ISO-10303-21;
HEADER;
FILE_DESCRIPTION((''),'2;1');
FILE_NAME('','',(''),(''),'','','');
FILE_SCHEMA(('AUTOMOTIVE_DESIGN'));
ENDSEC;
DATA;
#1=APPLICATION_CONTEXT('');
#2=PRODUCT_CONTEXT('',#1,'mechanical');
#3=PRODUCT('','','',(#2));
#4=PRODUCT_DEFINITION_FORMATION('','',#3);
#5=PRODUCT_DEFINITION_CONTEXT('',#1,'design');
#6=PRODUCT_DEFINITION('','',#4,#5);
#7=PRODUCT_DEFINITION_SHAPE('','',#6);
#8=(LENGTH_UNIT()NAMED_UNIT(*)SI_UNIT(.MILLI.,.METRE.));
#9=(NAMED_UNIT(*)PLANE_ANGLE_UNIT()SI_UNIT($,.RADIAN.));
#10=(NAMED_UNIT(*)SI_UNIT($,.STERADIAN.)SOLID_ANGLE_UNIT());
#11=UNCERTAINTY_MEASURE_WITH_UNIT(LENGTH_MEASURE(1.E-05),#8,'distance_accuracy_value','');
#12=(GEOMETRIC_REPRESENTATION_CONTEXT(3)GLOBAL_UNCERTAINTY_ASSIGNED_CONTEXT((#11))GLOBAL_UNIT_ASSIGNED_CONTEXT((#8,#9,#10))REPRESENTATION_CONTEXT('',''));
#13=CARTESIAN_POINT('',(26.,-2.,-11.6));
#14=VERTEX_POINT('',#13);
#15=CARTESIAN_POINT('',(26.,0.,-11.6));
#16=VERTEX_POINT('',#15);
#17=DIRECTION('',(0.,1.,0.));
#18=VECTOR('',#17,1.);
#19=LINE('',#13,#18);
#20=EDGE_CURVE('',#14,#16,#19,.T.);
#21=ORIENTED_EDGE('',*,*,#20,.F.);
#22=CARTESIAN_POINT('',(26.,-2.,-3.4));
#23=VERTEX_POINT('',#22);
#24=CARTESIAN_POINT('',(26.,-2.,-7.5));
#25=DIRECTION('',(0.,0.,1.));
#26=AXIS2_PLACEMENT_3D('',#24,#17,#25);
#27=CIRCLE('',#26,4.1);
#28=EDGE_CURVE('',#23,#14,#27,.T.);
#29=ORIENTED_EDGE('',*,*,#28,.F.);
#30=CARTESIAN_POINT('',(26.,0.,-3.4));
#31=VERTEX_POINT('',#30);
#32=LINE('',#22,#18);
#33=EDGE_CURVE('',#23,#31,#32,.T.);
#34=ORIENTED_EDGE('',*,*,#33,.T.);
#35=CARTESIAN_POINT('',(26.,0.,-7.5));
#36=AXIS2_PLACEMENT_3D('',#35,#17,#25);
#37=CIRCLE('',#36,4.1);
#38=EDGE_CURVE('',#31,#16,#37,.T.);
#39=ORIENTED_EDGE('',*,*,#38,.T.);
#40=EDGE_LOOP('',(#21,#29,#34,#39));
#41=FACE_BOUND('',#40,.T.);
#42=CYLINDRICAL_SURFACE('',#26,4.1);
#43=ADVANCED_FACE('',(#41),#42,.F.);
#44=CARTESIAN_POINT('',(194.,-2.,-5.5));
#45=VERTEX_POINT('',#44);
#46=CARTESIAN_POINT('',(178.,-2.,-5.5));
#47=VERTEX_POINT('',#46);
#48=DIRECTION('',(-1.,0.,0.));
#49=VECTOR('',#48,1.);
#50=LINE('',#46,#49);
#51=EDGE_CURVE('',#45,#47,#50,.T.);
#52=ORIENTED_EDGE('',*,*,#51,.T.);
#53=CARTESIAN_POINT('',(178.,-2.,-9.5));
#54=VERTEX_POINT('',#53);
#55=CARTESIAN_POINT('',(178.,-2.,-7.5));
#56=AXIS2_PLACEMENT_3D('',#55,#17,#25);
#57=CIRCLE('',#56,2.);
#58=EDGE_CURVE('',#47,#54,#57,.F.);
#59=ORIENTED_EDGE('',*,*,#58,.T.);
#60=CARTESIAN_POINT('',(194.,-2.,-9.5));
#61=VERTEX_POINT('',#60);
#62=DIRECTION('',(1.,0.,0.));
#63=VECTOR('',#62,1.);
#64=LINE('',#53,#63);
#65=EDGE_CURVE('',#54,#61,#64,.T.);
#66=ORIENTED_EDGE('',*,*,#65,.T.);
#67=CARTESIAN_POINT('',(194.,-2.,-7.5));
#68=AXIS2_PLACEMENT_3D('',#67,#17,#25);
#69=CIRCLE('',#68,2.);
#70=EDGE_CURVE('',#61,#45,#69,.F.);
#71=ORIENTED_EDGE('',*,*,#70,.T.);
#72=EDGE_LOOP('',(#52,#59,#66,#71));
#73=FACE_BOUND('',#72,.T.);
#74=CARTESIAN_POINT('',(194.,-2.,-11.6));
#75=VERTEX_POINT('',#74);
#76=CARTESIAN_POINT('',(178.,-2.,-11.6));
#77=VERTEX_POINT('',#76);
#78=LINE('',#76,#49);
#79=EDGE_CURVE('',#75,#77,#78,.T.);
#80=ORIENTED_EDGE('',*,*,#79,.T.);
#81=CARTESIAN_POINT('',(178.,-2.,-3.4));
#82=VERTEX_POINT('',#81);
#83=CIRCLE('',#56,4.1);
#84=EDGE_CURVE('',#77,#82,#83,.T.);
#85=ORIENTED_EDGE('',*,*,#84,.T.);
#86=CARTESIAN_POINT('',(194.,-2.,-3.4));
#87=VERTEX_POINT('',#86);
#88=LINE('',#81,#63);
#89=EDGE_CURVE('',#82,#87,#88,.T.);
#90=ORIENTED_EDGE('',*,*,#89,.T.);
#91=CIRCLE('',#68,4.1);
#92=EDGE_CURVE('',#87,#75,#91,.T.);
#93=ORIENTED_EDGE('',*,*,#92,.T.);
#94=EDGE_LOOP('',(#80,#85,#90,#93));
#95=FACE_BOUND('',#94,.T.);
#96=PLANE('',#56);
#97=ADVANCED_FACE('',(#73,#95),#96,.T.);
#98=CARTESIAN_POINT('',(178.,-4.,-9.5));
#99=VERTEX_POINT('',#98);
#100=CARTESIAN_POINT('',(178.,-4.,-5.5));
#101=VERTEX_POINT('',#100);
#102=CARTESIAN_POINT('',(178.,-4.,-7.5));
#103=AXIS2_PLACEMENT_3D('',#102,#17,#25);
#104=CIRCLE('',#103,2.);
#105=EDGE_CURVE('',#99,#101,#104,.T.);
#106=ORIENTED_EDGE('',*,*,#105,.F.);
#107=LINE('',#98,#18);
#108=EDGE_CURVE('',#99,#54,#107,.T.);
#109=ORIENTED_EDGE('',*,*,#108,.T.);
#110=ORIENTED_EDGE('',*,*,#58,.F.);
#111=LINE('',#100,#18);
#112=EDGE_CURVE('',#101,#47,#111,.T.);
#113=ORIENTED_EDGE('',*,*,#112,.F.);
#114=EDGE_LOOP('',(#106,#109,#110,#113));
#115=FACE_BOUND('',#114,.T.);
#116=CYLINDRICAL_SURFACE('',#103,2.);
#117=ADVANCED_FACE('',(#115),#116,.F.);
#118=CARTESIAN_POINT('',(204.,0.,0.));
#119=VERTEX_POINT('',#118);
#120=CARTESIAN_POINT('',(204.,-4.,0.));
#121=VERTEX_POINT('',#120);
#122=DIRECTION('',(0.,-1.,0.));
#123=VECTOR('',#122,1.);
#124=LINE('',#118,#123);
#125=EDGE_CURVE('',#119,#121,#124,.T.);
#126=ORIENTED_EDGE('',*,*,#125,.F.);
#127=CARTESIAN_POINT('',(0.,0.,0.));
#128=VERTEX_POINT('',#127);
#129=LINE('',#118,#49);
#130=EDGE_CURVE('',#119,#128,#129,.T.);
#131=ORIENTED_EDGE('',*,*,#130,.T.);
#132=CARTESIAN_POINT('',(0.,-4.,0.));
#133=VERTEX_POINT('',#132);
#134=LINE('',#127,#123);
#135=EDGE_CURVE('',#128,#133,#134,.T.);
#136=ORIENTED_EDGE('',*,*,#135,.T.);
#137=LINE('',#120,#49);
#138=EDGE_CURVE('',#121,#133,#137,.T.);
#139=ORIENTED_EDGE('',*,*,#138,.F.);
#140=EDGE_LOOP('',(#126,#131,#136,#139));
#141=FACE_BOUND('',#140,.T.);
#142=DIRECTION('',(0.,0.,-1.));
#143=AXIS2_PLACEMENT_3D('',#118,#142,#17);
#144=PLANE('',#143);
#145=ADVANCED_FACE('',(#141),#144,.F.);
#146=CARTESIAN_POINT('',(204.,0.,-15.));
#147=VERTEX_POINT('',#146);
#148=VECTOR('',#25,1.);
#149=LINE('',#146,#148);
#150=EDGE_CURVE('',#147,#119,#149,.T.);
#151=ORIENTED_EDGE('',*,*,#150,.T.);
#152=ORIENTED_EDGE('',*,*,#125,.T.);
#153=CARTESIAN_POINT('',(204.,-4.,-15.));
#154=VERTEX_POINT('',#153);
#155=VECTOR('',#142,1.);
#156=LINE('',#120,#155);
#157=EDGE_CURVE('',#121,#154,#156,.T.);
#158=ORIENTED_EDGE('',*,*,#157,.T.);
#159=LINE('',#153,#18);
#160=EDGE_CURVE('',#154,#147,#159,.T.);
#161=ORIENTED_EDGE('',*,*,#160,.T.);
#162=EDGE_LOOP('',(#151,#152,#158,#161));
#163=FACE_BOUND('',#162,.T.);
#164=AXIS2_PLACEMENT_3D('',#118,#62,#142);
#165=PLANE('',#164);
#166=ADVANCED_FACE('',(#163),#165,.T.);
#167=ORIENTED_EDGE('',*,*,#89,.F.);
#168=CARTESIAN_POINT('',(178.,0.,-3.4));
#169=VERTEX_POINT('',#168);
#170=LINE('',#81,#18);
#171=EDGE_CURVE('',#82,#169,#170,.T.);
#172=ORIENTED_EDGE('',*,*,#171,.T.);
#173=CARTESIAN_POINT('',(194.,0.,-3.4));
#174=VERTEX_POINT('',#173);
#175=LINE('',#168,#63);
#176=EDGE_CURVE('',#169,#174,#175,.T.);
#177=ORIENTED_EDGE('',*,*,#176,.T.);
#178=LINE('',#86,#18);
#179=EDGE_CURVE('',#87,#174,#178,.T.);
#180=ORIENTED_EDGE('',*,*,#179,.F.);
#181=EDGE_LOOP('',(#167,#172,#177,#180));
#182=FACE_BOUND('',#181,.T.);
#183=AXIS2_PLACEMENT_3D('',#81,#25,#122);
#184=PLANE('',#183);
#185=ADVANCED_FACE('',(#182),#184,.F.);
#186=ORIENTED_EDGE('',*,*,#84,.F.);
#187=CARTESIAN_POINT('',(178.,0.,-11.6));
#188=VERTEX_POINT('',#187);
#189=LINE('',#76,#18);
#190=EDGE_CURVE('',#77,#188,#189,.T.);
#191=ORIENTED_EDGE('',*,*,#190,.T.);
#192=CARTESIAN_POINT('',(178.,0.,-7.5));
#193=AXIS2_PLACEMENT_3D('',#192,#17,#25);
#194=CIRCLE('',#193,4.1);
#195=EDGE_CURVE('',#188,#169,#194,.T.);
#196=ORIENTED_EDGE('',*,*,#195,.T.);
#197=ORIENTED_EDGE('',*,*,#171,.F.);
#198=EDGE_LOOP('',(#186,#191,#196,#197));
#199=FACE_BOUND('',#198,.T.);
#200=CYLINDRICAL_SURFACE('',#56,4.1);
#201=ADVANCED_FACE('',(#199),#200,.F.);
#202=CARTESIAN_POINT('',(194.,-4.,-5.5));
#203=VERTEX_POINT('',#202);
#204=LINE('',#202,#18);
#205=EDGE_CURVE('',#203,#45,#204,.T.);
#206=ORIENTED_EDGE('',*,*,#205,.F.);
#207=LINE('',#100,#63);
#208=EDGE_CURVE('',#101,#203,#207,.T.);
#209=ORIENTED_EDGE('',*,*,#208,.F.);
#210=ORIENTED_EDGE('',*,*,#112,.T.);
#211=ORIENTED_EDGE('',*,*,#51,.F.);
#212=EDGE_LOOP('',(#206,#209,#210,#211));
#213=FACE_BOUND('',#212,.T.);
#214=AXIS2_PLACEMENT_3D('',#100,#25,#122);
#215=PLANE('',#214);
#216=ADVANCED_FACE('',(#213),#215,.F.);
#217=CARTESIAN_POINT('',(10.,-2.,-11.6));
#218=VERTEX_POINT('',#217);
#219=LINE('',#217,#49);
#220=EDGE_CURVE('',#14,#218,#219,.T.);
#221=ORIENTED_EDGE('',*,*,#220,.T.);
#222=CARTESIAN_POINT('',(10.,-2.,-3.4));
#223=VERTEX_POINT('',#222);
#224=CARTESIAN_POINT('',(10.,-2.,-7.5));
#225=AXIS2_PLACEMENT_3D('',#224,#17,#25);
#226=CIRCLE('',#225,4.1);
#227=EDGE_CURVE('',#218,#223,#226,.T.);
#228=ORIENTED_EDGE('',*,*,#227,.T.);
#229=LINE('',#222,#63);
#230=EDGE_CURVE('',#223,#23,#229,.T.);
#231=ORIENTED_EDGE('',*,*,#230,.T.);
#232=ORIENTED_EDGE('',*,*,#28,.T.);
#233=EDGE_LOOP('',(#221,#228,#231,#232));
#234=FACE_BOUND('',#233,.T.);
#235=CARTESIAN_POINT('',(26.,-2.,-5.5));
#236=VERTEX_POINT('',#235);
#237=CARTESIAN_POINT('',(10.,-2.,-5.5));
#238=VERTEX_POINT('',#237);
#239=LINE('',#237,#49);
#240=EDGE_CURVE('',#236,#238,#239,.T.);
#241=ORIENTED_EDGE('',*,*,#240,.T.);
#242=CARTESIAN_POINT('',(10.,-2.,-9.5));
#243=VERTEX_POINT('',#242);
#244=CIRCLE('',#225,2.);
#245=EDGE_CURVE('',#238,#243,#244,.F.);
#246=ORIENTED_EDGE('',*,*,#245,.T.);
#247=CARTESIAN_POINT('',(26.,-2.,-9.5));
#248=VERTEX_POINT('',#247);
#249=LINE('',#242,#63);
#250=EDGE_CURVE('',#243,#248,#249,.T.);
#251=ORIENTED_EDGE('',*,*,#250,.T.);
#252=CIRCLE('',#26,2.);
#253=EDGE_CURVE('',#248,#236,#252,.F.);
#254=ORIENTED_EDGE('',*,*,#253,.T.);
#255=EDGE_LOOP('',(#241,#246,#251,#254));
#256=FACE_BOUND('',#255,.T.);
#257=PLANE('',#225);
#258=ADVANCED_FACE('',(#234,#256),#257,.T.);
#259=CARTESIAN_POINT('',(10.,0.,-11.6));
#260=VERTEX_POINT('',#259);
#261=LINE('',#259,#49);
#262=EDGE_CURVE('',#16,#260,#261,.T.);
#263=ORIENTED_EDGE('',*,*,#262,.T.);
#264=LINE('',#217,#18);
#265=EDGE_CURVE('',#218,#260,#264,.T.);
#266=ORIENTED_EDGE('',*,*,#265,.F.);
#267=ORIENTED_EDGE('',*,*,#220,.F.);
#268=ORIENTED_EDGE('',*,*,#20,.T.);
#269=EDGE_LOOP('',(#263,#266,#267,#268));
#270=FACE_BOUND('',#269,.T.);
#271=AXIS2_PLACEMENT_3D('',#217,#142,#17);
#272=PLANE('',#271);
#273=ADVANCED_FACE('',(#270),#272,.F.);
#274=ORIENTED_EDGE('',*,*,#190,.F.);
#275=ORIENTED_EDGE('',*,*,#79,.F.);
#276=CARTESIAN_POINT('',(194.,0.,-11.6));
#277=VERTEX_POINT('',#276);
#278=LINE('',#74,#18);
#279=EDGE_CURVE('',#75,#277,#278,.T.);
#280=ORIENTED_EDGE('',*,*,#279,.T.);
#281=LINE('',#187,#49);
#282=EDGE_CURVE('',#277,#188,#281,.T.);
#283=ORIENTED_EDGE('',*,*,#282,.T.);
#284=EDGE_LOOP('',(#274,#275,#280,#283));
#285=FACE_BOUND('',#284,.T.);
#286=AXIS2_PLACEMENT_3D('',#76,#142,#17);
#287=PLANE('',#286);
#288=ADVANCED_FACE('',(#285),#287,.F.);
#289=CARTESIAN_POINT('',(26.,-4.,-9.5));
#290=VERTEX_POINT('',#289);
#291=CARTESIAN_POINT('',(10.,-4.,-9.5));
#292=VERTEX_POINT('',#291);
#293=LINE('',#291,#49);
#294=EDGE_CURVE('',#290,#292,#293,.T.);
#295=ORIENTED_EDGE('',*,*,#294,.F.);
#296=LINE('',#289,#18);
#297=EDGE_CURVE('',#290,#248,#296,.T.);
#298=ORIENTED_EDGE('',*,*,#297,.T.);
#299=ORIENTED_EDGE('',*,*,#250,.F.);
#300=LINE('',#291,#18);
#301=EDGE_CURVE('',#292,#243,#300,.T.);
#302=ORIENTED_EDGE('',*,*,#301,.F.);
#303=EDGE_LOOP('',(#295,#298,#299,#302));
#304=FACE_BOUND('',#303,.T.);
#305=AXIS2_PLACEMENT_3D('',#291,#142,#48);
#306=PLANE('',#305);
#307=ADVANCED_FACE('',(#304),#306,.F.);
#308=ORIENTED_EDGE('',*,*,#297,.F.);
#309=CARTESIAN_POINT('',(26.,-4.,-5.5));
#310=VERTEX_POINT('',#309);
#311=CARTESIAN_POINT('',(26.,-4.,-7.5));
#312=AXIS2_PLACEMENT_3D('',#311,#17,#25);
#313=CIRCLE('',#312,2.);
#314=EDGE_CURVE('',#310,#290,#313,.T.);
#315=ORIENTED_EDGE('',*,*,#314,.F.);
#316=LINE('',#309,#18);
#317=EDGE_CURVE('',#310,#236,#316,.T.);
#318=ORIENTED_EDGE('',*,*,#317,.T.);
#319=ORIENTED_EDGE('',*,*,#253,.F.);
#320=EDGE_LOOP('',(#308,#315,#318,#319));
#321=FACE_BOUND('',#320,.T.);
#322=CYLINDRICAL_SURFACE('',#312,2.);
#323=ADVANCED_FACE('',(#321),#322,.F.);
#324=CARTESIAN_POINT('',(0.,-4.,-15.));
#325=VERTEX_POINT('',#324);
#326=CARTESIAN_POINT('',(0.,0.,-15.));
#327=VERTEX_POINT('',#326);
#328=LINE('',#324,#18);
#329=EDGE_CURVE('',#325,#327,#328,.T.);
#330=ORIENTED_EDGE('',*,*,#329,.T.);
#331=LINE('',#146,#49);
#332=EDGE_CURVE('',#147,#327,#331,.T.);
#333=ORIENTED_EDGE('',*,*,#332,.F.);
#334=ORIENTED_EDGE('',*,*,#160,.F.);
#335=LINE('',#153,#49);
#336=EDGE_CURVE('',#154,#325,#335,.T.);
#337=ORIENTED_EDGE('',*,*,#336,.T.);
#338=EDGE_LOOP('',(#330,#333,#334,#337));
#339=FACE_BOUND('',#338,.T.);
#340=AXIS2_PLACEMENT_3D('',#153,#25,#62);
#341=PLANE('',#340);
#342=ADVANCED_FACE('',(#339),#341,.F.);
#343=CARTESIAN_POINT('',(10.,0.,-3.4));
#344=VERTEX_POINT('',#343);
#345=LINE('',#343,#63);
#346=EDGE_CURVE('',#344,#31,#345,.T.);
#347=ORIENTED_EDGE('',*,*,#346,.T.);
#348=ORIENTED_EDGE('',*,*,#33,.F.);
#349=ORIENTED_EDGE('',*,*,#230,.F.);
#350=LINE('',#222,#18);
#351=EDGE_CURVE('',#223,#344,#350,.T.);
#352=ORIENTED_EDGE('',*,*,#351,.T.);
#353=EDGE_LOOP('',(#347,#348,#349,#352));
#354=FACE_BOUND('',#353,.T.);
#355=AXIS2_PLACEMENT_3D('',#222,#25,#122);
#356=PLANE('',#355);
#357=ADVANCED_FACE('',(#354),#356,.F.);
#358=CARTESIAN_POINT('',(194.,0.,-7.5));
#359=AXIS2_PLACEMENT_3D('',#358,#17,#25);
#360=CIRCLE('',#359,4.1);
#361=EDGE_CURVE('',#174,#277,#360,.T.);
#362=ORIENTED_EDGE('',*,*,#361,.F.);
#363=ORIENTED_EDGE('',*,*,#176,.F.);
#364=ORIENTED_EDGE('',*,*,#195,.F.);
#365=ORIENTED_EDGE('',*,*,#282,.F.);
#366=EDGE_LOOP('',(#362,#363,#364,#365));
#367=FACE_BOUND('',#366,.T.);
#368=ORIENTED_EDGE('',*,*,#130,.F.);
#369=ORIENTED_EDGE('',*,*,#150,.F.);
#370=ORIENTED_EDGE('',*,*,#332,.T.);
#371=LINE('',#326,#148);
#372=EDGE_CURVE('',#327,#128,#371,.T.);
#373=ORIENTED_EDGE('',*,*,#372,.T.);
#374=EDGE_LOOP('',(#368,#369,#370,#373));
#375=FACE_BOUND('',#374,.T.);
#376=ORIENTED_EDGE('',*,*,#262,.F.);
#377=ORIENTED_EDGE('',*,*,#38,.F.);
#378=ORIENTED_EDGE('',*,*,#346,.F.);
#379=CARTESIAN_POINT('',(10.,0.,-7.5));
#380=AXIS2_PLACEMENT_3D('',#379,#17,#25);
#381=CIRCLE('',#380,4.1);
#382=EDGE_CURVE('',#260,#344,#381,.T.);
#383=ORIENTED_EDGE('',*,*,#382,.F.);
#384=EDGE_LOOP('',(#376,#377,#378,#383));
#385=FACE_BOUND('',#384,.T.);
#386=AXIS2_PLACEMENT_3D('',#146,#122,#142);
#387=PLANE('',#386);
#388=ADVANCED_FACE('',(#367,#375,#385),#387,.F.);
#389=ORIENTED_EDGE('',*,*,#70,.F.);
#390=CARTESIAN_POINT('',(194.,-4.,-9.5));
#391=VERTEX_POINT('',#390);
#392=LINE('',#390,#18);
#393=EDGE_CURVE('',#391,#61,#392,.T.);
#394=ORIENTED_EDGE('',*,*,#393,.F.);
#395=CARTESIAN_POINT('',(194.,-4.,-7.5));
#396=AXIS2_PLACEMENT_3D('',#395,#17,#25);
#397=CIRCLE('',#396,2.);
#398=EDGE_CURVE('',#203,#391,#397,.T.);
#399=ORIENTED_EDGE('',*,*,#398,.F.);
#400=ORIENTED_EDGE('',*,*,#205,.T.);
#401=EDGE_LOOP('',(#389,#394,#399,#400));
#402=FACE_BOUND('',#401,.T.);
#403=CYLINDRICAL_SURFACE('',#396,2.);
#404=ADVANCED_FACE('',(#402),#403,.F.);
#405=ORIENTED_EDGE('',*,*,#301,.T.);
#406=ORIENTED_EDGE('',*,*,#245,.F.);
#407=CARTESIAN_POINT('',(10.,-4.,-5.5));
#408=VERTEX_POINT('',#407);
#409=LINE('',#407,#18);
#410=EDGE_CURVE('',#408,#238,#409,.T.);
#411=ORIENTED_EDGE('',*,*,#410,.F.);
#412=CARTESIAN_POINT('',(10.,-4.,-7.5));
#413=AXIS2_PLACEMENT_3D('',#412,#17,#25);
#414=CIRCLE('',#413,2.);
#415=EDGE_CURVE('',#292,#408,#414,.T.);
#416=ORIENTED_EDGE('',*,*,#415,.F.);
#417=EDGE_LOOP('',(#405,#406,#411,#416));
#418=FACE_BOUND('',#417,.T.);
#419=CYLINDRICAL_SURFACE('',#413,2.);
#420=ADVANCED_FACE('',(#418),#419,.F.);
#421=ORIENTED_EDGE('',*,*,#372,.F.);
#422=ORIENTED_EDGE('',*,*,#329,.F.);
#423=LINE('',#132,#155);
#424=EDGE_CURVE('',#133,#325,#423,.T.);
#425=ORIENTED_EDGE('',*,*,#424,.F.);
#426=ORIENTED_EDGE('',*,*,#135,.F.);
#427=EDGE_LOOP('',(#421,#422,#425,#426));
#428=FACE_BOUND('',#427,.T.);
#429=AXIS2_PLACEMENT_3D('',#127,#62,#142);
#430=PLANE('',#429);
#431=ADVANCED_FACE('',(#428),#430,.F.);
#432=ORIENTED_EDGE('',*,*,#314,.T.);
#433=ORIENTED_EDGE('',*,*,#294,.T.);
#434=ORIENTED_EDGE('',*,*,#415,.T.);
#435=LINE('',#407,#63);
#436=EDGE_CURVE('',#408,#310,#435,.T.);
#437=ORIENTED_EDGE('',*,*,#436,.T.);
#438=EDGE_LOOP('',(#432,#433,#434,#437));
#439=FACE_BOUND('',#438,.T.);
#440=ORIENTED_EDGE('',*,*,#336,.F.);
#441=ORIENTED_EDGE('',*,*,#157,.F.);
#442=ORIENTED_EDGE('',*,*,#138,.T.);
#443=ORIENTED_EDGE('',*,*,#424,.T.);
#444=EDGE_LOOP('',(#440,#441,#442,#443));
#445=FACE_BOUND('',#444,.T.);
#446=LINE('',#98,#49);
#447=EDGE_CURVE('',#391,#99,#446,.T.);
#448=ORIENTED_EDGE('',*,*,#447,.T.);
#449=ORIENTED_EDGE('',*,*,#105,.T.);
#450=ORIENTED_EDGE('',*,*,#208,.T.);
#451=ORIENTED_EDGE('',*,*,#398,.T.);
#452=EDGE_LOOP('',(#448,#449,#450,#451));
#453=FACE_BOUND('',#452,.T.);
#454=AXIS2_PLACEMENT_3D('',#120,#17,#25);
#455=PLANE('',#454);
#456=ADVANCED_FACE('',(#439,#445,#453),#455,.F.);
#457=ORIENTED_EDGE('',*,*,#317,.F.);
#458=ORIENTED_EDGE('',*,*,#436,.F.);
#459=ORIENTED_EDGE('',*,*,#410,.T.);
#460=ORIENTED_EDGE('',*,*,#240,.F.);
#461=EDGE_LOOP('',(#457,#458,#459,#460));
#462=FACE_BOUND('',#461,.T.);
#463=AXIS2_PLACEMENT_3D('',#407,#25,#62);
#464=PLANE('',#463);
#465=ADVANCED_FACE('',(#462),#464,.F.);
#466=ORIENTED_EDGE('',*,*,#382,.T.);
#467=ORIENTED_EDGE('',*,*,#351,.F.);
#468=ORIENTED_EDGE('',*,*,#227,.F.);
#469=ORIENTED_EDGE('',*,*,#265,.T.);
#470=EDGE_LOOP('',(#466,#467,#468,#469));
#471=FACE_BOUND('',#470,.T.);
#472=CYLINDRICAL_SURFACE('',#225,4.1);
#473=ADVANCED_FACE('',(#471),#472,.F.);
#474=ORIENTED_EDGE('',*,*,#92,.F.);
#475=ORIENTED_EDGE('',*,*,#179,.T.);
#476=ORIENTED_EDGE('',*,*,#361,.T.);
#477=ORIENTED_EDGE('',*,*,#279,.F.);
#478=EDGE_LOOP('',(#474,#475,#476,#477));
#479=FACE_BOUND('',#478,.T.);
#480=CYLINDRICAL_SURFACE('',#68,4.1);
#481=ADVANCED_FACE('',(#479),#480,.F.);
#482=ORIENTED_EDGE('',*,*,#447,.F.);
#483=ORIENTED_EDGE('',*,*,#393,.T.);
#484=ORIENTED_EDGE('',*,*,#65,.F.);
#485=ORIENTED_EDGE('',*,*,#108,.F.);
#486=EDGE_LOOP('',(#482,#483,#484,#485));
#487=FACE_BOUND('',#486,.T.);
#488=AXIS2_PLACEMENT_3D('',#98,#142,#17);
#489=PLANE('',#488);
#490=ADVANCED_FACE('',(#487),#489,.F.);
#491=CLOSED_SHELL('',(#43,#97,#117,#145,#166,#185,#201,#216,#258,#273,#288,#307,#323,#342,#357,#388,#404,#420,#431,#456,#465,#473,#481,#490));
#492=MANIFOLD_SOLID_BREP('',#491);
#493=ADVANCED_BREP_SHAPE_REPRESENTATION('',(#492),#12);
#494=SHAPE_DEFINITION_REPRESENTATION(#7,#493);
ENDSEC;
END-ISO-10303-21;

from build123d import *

# Parameters (mm, degrees)
SKETCH1_W           = 15
SKETCH1_H           = 4
BOSS_EXTRUDE1_DEPTH = 204
CUT_EXTRUDE1_DEPTH  = 205.58983357
CUT_EXTRUDE2_DEPTH  = 2


with BuildPart() as part:
    # Sketch1 → Boss-Extrude1 (new body)
    with BuildSketch(Plane(origin=(0, 0, 0), x_dir=(0, 0, -1), z_dir=(1, 0, 0))):
        with Locations((7.5, -2)):
            Rectangle(SKETCH1_W, SKETCH1_H)
    extrude(amount=BOSS_EXTRUDE1_DEPTH)

    # Sketch3 → Cut-Extrude1 (cut, through all)
    with BuildSketch(Plane(origin=(0, 0, 0), x_dir=(1, 0, 0), z_dir=(0, 1, 0))):
        with BuildLine():
            Line((10, 9.5), (26, 9.5))
            ThreePointArc((26, 9.5), (28, 7.5), (26, 5.5))
            Line((26, 5.5), (10, 5.5))
            ThreePointArc((10, 5.5), (8, 7.5), (10, 9.5))
        make_face()
        with BuildLine():
            Line((178, 9.5), (194, 9.5))
            ThreePointArc((194, 9.5), (196, 7.5), (194, 5.5))
            Line((194, 5.5), (178, 5.5))
            ThreePointArc((178, 5.5), (176, 7.5), (178, 9.5))
        make_face()
    extrude(amount=-CUT_EXTRUDE1_DEPTH, mode=Mode.SUBTRACT)

    # Sketch4 → Cut-Extrude2 (cut)
    with BuildSketch(Plane(origin=(0, 0, 0), x_dir=(1, 0, 0), z_dir=(0, 1, 0))):
        with BuildLine():
            Line((10, 11.6), (26, 11.6))
            ThreePointArc((26, 11.6), (30.1, 7.5), (26, 3.4))
            Line((26, 3.4), (10, 3.4))
            ThreePointArc((10, 3.4), (5.9, 7.5), (10, 11.6))
        make_face()
        with BuildLine():
            Line((178, 11.6), (194, 11.6))
            ThreePointArc((194, 11.6), (198.1, 7.5), (194, 3.4))
            Line((194, 3.4), (178, 3.4))
            ThreePointArc((178, 3.4), (173.9, 7.5), (178, 11.6))
        make_face()
    extrude(amount=-CUT_EXTRUDE2_DEPTH, mode=Mode.SUBTRACT)


solid = part.part
